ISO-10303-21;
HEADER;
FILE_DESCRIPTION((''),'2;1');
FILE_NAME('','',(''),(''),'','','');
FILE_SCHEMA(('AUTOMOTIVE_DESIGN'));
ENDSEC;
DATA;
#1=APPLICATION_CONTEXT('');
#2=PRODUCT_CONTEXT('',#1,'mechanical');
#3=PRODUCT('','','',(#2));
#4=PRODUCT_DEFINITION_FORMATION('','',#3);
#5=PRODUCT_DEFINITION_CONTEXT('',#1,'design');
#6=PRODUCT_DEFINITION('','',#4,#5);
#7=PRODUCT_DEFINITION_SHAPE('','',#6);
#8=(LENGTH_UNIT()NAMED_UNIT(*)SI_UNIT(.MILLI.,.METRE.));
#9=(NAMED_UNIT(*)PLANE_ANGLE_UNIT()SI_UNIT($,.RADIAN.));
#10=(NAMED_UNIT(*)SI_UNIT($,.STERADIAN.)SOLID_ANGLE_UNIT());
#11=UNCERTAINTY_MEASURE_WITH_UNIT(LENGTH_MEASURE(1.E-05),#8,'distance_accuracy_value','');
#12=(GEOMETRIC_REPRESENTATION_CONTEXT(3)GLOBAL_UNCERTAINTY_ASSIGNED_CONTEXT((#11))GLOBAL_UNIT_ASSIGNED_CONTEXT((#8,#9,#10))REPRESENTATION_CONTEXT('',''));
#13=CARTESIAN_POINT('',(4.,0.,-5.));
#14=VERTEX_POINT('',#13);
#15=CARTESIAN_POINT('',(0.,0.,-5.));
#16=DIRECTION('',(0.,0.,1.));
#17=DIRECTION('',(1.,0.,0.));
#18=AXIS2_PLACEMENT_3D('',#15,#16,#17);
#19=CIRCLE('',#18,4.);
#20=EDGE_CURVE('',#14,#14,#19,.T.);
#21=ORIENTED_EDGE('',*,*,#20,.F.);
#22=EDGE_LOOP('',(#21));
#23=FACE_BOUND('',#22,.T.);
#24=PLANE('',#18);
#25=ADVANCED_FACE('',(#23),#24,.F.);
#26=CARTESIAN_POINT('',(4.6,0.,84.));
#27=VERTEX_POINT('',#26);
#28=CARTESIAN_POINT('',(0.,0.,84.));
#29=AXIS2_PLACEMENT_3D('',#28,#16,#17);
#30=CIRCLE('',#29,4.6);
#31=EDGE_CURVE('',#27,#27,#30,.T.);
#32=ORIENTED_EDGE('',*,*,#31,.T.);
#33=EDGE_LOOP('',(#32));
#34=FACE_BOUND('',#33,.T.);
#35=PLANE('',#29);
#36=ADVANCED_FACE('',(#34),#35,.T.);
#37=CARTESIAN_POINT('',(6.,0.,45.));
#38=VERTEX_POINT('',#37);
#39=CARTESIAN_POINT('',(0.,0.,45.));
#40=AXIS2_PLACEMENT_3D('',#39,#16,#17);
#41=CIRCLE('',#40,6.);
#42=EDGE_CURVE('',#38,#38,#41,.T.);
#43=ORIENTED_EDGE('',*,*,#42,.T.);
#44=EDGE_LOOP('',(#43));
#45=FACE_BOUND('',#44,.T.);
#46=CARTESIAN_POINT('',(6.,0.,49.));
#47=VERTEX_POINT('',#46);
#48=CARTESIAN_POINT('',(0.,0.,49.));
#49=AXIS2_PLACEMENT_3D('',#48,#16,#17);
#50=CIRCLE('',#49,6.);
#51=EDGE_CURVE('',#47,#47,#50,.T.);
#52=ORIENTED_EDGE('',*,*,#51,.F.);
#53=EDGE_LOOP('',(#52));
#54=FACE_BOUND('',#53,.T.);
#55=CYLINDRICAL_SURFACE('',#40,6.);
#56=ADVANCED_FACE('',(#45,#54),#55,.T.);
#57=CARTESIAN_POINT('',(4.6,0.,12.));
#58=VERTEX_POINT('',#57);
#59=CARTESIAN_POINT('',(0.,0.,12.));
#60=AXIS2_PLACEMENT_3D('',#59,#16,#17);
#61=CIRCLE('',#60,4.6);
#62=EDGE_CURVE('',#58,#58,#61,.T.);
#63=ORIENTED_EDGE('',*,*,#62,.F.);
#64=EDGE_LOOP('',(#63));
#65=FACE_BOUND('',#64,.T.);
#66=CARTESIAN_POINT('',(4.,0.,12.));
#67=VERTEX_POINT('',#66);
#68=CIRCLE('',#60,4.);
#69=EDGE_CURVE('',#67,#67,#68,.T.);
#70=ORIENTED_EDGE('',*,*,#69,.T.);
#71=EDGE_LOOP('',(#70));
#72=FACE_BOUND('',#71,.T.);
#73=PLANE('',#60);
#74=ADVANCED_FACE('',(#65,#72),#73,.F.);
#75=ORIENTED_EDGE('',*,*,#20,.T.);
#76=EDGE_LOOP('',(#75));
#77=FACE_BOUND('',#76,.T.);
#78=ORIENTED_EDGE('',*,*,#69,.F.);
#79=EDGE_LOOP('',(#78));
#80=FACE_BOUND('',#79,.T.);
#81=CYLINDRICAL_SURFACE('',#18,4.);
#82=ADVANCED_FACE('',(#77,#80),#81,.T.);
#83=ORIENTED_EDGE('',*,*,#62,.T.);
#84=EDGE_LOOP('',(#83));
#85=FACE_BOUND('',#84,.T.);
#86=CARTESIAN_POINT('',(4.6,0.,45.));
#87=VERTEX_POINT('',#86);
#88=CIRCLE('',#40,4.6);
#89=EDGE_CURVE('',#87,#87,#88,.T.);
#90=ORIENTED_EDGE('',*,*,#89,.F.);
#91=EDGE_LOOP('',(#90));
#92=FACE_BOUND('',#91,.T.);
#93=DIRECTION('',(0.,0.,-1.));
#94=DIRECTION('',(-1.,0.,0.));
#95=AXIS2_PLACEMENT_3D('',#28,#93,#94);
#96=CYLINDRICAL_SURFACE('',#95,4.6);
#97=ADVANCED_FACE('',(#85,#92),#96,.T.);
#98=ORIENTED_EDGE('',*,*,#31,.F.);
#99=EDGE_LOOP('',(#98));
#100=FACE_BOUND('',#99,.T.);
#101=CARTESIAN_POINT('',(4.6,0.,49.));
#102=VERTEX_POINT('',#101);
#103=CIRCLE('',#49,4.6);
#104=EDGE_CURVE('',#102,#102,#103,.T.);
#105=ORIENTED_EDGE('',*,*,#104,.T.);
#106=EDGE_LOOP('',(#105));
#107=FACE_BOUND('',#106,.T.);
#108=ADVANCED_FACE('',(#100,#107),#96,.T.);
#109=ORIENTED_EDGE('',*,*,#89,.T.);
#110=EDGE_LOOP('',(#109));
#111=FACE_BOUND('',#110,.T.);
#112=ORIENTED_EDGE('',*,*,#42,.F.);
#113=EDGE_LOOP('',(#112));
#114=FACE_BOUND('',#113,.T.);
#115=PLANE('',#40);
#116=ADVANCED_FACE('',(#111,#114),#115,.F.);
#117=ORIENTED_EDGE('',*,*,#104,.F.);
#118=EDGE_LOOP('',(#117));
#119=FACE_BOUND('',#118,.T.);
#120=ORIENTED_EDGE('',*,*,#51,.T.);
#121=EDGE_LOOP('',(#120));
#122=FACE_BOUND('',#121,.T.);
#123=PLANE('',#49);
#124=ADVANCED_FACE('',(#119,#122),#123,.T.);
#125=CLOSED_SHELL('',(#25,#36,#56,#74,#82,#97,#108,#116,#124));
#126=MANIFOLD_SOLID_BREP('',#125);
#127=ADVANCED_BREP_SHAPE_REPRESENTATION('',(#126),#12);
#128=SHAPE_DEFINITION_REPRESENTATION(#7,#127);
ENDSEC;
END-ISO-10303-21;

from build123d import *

# Parameters (mm, degrees)
BOSS_EXTRUDE1_START = 12
SKETCH1_R           = 4
BOSS_EXTRUDE1_DEPTH = 17
BOSS_EXTRUDE2_START = 12
SKETCH2_R           = 4.6
BOSS_EXTRUDE2_DEPTH = 72
BOSS_EXTRUDE3_START = 49
SKETCH3_R           = 6
BOSS_EXTRUDE3_DEPTH = 4


with BuildPart() as part:
    # Sketch1 → Boss-Extrude1 (new body)
    with BuildSketch(Plane.XY.offset(BOSS_EXTRUDE1_START)):
        Circle(SKETCH1_R)
    extrude(amount=-BOSS_EXTRUDE1_DEPTH)

    # Sketch2 → Boss-Extrude2 (add)
    with BuildSketch(Plane.XY.offset(BOSS_EXTRUDE2_START)):
        Circle(SKETCH2_R)
    extrude(amount=BOSS_EXTRUDE2_DEPTH)

    # Sketch3 → Boss-Extrude3 (add)
    with BuildSketch(Plane.XY.offset(BOSS_EXTRUDE3_START)):
        Circle(SKETCH3_R)
    extrude(amount=-BOSS_EXTRUDE3_DEPTH)


solid = part.part
